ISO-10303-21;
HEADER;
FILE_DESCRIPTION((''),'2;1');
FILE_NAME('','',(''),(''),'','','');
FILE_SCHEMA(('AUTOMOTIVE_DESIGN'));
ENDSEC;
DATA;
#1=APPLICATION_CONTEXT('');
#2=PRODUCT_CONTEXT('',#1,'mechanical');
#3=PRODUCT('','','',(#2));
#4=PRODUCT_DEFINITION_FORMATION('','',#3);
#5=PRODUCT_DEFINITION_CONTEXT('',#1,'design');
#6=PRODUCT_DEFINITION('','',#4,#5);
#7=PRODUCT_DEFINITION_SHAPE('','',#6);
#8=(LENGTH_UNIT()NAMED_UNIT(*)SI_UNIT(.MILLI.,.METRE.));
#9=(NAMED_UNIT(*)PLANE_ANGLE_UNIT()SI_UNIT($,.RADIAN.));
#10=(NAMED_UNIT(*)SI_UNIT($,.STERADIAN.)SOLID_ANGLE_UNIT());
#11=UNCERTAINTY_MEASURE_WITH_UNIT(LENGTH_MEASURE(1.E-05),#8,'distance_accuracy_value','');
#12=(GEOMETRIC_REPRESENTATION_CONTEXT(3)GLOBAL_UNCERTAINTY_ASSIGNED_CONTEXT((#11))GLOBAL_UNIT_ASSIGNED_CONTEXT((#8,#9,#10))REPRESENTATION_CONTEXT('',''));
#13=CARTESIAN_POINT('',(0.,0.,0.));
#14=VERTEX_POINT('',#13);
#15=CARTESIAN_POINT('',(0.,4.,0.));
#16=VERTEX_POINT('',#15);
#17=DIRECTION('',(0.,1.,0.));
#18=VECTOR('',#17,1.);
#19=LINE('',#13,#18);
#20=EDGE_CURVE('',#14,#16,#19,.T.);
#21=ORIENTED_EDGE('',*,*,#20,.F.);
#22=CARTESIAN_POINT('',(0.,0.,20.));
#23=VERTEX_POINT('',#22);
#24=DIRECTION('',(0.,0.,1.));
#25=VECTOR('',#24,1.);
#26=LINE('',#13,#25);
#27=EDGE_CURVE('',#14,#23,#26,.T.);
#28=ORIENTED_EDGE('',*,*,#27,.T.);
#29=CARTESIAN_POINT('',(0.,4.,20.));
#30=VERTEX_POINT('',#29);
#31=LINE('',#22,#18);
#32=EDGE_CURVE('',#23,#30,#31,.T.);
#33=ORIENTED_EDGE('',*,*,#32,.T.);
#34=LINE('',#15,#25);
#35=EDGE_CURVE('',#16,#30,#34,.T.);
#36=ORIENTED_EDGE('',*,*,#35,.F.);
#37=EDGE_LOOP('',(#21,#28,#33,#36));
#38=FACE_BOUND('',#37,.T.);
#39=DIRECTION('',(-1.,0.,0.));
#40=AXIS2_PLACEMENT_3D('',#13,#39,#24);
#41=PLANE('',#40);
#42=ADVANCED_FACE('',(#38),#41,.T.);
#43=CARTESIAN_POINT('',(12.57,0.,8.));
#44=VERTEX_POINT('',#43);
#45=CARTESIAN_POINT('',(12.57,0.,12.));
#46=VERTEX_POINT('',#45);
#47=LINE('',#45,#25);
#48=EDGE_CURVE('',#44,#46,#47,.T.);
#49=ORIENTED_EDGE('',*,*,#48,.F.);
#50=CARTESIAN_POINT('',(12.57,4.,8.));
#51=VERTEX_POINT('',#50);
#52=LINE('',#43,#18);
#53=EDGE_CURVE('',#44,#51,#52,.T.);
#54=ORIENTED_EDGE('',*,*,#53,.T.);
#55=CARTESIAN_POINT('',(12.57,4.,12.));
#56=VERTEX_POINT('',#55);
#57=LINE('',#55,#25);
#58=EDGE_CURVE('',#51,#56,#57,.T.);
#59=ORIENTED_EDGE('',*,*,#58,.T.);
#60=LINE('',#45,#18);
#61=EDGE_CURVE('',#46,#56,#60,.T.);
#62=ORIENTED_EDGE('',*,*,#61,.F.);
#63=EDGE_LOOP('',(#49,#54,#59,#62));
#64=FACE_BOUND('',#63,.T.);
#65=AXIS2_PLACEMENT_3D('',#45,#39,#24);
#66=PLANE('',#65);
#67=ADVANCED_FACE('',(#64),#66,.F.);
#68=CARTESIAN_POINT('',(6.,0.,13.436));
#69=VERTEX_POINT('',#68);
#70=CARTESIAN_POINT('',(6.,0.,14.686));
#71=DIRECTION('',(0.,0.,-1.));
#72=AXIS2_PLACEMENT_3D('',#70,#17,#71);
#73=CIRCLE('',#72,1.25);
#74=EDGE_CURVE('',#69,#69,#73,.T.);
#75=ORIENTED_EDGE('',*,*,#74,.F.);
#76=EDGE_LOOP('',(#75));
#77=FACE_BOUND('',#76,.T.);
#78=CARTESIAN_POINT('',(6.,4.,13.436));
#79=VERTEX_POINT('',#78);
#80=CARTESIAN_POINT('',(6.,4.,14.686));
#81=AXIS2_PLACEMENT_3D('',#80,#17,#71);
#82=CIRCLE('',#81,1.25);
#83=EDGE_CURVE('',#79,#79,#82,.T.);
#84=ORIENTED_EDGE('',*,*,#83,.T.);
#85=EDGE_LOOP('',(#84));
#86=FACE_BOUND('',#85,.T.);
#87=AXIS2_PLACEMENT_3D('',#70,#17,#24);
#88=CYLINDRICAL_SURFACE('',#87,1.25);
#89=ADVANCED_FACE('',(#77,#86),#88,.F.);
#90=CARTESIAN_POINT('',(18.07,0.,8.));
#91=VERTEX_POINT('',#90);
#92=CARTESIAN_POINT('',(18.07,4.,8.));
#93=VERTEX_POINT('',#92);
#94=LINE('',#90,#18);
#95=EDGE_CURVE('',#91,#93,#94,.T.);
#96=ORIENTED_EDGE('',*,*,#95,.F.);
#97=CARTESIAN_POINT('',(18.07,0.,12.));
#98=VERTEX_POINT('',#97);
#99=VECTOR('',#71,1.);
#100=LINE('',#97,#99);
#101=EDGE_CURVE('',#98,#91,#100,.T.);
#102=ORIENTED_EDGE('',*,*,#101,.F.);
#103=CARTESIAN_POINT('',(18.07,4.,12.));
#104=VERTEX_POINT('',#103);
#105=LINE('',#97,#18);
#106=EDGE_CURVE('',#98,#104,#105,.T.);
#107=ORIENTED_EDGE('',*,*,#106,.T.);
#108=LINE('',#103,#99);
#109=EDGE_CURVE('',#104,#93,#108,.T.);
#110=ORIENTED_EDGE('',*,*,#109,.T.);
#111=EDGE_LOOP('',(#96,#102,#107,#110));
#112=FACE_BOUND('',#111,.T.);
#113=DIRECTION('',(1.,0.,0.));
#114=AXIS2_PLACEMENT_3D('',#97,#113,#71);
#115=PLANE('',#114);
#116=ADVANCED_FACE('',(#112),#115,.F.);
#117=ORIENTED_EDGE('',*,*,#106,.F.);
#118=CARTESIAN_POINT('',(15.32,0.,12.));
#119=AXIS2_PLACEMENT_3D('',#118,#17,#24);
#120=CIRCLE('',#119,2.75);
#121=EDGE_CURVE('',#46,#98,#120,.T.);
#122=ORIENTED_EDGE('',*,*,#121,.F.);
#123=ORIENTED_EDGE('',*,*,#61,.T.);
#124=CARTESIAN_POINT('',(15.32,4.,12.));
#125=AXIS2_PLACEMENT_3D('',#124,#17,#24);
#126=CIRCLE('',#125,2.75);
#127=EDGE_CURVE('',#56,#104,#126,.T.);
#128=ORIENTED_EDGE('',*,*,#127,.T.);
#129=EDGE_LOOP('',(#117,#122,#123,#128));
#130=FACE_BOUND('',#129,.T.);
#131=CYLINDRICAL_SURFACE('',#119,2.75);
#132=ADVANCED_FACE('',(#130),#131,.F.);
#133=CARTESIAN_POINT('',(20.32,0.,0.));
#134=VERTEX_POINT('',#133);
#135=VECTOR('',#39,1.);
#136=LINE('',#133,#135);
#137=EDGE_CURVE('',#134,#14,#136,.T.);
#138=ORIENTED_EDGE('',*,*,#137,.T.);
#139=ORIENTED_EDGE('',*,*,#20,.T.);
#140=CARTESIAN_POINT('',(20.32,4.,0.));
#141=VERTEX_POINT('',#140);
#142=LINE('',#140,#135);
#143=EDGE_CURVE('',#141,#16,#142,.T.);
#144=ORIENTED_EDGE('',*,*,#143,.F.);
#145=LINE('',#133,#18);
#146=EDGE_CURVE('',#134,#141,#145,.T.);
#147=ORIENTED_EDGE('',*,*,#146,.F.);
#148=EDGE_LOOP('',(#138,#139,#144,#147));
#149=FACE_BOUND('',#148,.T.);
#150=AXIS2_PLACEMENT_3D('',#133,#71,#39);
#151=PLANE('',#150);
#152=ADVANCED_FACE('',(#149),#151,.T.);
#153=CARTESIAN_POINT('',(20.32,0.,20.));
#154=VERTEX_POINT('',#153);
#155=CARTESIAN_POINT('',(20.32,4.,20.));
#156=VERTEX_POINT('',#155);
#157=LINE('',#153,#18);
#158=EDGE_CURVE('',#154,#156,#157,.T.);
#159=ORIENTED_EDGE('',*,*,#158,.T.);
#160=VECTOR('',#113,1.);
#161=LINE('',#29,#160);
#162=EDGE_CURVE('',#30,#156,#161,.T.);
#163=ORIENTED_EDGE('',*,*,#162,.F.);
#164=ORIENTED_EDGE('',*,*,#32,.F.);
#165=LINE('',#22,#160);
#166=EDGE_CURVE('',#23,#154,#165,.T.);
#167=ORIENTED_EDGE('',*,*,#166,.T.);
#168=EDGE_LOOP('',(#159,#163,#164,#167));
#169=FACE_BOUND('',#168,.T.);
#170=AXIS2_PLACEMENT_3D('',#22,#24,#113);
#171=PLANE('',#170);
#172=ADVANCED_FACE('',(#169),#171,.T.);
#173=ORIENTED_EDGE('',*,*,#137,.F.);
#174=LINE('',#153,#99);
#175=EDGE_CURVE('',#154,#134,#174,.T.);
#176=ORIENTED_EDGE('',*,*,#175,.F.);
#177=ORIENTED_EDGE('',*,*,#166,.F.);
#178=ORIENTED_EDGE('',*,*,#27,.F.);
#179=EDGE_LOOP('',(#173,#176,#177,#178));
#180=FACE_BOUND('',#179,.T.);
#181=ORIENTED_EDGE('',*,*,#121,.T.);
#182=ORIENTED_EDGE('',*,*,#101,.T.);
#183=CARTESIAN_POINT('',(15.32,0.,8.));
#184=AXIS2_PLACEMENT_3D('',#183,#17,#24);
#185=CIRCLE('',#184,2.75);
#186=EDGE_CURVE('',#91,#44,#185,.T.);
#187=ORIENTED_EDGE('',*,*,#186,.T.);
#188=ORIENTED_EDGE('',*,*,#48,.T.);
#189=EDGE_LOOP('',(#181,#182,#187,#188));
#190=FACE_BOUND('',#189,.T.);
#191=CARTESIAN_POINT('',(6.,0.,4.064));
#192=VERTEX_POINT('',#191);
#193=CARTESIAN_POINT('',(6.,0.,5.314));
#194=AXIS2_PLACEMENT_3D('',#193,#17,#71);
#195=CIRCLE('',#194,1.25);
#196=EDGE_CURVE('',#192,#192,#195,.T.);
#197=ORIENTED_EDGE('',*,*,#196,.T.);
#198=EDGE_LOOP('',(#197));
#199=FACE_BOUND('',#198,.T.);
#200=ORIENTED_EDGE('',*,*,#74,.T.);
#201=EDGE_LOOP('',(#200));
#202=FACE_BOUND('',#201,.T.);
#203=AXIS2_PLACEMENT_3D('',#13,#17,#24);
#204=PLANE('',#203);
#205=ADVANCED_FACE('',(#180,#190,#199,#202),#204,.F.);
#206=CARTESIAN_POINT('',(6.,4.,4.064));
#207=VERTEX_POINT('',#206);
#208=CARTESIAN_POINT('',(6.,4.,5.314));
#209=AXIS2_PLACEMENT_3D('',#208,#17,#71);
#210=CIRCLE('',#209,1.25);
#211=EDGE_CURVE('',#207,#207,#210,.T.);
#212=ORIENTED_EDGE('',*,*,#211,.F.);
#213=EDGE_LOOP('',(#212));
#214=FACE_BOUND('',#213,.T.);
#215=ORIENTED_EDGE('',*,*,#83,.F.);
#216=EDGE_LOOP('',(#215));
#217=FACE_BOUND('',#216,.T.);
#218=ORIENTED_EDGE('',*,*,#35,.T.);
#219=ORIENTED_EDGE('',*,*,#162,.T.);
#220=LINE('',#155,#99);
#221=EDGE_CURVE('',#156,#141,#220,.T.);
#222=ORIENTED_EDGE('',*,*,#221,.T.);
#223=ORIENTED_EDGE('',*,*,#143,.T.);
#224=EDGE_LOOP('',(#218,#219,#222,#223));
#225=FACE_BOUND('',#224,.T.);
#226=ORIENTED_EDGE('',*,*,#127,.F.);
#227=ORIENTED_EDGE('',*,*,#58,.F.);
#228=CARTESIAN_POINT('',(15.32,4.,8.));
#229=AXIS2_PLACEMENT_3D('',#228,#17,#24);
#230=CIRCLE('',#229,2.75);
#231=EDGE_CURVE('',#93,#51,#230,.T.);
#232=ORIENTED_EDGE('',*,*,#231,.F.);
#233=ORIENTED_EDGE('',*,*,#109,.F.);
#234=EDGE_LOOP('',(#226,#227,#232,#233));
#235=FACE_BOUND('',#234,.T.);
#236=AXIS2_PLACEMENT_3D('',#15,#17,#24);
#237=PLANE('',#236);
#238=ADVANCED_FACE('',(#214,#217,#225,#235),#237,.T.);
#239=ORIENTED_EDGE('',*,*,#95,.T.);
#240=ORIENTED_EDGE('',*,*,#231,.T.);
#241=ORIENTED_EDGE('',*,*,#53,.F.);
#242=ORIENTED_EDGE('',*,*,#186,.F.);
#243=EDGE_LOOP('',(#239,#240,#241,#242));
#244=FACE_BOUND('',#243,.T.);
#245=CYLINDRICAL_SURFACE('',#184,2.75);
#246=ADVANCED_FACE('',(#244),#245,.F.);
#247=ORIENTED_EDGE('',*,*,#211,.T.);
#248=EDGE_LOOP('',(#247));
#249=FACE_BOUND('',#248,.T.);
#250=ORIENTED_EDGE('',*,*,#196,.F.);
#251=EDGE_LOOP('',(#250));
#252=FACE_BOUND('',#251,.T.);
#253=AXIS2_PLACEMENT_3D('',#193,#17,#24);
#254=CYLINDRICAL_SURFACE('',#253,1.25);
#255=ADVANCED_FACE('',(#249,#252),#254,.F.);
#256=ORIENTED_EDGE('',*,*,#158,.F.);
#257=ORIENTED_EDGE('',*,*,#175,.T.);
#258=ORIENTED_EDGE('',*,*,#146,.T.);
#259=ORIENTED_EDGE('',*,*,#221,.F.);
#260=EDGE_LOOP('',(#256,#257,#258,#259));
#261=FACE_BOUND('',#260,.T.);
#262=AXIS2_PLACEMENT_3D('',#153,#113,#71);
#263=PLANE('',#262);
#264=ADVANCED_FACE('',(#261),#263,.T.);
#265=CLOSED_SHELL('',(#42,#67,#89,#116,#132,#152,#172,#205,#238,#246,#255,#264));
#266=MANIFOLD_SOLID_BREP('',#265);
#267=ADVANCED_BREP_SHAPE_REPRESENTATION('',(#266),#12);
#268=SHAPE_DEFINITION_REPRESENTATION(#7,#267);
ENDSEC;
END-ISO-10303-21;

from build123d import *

# Parameters (mm, degrees)
SKETCH1_W           = 20.32
SKETCH1_H           = 20
SKETCH1_R           = 1.25
BOSS_EXTRUDE1_DEPTH = 4


with BuildPart() as part:
    # Sketch1 → Boss-Extrude1 (new body)
    with BuildSketch(Plane(origin=(0, 4, 0), x_dir=(1, 0, 0), z_dir=(0, 1, 0))):
        with Locations((10.16, -10)):
            Rectangle(SKETCH1_W, SKETCH1_H)
        with Locations((6, -14.686)):
            Circle(SKETCH1_R, mode=Mode.SUBTRACT)
        with Locations((6, -5.314)):
            Circle(SKETCH1_R, mode=Mode.SUBTRACT)
        with BuildLine():
            Line((12.57, -12), (12.57, -8))
            ThreePointArc((12.57, -8), (15.32, -5.25), (18.07, -8))
            Line((18.07, -8), (18.07, -12))
            ThreePointArc((18.07, -12), (15.32, -14.75), (12.57, -12))
        make_face(mode=Mode.SUBTRACT)
    extrude(amount=-BOSS_EXTRUDE1_DEPTH)


solid = part.part
